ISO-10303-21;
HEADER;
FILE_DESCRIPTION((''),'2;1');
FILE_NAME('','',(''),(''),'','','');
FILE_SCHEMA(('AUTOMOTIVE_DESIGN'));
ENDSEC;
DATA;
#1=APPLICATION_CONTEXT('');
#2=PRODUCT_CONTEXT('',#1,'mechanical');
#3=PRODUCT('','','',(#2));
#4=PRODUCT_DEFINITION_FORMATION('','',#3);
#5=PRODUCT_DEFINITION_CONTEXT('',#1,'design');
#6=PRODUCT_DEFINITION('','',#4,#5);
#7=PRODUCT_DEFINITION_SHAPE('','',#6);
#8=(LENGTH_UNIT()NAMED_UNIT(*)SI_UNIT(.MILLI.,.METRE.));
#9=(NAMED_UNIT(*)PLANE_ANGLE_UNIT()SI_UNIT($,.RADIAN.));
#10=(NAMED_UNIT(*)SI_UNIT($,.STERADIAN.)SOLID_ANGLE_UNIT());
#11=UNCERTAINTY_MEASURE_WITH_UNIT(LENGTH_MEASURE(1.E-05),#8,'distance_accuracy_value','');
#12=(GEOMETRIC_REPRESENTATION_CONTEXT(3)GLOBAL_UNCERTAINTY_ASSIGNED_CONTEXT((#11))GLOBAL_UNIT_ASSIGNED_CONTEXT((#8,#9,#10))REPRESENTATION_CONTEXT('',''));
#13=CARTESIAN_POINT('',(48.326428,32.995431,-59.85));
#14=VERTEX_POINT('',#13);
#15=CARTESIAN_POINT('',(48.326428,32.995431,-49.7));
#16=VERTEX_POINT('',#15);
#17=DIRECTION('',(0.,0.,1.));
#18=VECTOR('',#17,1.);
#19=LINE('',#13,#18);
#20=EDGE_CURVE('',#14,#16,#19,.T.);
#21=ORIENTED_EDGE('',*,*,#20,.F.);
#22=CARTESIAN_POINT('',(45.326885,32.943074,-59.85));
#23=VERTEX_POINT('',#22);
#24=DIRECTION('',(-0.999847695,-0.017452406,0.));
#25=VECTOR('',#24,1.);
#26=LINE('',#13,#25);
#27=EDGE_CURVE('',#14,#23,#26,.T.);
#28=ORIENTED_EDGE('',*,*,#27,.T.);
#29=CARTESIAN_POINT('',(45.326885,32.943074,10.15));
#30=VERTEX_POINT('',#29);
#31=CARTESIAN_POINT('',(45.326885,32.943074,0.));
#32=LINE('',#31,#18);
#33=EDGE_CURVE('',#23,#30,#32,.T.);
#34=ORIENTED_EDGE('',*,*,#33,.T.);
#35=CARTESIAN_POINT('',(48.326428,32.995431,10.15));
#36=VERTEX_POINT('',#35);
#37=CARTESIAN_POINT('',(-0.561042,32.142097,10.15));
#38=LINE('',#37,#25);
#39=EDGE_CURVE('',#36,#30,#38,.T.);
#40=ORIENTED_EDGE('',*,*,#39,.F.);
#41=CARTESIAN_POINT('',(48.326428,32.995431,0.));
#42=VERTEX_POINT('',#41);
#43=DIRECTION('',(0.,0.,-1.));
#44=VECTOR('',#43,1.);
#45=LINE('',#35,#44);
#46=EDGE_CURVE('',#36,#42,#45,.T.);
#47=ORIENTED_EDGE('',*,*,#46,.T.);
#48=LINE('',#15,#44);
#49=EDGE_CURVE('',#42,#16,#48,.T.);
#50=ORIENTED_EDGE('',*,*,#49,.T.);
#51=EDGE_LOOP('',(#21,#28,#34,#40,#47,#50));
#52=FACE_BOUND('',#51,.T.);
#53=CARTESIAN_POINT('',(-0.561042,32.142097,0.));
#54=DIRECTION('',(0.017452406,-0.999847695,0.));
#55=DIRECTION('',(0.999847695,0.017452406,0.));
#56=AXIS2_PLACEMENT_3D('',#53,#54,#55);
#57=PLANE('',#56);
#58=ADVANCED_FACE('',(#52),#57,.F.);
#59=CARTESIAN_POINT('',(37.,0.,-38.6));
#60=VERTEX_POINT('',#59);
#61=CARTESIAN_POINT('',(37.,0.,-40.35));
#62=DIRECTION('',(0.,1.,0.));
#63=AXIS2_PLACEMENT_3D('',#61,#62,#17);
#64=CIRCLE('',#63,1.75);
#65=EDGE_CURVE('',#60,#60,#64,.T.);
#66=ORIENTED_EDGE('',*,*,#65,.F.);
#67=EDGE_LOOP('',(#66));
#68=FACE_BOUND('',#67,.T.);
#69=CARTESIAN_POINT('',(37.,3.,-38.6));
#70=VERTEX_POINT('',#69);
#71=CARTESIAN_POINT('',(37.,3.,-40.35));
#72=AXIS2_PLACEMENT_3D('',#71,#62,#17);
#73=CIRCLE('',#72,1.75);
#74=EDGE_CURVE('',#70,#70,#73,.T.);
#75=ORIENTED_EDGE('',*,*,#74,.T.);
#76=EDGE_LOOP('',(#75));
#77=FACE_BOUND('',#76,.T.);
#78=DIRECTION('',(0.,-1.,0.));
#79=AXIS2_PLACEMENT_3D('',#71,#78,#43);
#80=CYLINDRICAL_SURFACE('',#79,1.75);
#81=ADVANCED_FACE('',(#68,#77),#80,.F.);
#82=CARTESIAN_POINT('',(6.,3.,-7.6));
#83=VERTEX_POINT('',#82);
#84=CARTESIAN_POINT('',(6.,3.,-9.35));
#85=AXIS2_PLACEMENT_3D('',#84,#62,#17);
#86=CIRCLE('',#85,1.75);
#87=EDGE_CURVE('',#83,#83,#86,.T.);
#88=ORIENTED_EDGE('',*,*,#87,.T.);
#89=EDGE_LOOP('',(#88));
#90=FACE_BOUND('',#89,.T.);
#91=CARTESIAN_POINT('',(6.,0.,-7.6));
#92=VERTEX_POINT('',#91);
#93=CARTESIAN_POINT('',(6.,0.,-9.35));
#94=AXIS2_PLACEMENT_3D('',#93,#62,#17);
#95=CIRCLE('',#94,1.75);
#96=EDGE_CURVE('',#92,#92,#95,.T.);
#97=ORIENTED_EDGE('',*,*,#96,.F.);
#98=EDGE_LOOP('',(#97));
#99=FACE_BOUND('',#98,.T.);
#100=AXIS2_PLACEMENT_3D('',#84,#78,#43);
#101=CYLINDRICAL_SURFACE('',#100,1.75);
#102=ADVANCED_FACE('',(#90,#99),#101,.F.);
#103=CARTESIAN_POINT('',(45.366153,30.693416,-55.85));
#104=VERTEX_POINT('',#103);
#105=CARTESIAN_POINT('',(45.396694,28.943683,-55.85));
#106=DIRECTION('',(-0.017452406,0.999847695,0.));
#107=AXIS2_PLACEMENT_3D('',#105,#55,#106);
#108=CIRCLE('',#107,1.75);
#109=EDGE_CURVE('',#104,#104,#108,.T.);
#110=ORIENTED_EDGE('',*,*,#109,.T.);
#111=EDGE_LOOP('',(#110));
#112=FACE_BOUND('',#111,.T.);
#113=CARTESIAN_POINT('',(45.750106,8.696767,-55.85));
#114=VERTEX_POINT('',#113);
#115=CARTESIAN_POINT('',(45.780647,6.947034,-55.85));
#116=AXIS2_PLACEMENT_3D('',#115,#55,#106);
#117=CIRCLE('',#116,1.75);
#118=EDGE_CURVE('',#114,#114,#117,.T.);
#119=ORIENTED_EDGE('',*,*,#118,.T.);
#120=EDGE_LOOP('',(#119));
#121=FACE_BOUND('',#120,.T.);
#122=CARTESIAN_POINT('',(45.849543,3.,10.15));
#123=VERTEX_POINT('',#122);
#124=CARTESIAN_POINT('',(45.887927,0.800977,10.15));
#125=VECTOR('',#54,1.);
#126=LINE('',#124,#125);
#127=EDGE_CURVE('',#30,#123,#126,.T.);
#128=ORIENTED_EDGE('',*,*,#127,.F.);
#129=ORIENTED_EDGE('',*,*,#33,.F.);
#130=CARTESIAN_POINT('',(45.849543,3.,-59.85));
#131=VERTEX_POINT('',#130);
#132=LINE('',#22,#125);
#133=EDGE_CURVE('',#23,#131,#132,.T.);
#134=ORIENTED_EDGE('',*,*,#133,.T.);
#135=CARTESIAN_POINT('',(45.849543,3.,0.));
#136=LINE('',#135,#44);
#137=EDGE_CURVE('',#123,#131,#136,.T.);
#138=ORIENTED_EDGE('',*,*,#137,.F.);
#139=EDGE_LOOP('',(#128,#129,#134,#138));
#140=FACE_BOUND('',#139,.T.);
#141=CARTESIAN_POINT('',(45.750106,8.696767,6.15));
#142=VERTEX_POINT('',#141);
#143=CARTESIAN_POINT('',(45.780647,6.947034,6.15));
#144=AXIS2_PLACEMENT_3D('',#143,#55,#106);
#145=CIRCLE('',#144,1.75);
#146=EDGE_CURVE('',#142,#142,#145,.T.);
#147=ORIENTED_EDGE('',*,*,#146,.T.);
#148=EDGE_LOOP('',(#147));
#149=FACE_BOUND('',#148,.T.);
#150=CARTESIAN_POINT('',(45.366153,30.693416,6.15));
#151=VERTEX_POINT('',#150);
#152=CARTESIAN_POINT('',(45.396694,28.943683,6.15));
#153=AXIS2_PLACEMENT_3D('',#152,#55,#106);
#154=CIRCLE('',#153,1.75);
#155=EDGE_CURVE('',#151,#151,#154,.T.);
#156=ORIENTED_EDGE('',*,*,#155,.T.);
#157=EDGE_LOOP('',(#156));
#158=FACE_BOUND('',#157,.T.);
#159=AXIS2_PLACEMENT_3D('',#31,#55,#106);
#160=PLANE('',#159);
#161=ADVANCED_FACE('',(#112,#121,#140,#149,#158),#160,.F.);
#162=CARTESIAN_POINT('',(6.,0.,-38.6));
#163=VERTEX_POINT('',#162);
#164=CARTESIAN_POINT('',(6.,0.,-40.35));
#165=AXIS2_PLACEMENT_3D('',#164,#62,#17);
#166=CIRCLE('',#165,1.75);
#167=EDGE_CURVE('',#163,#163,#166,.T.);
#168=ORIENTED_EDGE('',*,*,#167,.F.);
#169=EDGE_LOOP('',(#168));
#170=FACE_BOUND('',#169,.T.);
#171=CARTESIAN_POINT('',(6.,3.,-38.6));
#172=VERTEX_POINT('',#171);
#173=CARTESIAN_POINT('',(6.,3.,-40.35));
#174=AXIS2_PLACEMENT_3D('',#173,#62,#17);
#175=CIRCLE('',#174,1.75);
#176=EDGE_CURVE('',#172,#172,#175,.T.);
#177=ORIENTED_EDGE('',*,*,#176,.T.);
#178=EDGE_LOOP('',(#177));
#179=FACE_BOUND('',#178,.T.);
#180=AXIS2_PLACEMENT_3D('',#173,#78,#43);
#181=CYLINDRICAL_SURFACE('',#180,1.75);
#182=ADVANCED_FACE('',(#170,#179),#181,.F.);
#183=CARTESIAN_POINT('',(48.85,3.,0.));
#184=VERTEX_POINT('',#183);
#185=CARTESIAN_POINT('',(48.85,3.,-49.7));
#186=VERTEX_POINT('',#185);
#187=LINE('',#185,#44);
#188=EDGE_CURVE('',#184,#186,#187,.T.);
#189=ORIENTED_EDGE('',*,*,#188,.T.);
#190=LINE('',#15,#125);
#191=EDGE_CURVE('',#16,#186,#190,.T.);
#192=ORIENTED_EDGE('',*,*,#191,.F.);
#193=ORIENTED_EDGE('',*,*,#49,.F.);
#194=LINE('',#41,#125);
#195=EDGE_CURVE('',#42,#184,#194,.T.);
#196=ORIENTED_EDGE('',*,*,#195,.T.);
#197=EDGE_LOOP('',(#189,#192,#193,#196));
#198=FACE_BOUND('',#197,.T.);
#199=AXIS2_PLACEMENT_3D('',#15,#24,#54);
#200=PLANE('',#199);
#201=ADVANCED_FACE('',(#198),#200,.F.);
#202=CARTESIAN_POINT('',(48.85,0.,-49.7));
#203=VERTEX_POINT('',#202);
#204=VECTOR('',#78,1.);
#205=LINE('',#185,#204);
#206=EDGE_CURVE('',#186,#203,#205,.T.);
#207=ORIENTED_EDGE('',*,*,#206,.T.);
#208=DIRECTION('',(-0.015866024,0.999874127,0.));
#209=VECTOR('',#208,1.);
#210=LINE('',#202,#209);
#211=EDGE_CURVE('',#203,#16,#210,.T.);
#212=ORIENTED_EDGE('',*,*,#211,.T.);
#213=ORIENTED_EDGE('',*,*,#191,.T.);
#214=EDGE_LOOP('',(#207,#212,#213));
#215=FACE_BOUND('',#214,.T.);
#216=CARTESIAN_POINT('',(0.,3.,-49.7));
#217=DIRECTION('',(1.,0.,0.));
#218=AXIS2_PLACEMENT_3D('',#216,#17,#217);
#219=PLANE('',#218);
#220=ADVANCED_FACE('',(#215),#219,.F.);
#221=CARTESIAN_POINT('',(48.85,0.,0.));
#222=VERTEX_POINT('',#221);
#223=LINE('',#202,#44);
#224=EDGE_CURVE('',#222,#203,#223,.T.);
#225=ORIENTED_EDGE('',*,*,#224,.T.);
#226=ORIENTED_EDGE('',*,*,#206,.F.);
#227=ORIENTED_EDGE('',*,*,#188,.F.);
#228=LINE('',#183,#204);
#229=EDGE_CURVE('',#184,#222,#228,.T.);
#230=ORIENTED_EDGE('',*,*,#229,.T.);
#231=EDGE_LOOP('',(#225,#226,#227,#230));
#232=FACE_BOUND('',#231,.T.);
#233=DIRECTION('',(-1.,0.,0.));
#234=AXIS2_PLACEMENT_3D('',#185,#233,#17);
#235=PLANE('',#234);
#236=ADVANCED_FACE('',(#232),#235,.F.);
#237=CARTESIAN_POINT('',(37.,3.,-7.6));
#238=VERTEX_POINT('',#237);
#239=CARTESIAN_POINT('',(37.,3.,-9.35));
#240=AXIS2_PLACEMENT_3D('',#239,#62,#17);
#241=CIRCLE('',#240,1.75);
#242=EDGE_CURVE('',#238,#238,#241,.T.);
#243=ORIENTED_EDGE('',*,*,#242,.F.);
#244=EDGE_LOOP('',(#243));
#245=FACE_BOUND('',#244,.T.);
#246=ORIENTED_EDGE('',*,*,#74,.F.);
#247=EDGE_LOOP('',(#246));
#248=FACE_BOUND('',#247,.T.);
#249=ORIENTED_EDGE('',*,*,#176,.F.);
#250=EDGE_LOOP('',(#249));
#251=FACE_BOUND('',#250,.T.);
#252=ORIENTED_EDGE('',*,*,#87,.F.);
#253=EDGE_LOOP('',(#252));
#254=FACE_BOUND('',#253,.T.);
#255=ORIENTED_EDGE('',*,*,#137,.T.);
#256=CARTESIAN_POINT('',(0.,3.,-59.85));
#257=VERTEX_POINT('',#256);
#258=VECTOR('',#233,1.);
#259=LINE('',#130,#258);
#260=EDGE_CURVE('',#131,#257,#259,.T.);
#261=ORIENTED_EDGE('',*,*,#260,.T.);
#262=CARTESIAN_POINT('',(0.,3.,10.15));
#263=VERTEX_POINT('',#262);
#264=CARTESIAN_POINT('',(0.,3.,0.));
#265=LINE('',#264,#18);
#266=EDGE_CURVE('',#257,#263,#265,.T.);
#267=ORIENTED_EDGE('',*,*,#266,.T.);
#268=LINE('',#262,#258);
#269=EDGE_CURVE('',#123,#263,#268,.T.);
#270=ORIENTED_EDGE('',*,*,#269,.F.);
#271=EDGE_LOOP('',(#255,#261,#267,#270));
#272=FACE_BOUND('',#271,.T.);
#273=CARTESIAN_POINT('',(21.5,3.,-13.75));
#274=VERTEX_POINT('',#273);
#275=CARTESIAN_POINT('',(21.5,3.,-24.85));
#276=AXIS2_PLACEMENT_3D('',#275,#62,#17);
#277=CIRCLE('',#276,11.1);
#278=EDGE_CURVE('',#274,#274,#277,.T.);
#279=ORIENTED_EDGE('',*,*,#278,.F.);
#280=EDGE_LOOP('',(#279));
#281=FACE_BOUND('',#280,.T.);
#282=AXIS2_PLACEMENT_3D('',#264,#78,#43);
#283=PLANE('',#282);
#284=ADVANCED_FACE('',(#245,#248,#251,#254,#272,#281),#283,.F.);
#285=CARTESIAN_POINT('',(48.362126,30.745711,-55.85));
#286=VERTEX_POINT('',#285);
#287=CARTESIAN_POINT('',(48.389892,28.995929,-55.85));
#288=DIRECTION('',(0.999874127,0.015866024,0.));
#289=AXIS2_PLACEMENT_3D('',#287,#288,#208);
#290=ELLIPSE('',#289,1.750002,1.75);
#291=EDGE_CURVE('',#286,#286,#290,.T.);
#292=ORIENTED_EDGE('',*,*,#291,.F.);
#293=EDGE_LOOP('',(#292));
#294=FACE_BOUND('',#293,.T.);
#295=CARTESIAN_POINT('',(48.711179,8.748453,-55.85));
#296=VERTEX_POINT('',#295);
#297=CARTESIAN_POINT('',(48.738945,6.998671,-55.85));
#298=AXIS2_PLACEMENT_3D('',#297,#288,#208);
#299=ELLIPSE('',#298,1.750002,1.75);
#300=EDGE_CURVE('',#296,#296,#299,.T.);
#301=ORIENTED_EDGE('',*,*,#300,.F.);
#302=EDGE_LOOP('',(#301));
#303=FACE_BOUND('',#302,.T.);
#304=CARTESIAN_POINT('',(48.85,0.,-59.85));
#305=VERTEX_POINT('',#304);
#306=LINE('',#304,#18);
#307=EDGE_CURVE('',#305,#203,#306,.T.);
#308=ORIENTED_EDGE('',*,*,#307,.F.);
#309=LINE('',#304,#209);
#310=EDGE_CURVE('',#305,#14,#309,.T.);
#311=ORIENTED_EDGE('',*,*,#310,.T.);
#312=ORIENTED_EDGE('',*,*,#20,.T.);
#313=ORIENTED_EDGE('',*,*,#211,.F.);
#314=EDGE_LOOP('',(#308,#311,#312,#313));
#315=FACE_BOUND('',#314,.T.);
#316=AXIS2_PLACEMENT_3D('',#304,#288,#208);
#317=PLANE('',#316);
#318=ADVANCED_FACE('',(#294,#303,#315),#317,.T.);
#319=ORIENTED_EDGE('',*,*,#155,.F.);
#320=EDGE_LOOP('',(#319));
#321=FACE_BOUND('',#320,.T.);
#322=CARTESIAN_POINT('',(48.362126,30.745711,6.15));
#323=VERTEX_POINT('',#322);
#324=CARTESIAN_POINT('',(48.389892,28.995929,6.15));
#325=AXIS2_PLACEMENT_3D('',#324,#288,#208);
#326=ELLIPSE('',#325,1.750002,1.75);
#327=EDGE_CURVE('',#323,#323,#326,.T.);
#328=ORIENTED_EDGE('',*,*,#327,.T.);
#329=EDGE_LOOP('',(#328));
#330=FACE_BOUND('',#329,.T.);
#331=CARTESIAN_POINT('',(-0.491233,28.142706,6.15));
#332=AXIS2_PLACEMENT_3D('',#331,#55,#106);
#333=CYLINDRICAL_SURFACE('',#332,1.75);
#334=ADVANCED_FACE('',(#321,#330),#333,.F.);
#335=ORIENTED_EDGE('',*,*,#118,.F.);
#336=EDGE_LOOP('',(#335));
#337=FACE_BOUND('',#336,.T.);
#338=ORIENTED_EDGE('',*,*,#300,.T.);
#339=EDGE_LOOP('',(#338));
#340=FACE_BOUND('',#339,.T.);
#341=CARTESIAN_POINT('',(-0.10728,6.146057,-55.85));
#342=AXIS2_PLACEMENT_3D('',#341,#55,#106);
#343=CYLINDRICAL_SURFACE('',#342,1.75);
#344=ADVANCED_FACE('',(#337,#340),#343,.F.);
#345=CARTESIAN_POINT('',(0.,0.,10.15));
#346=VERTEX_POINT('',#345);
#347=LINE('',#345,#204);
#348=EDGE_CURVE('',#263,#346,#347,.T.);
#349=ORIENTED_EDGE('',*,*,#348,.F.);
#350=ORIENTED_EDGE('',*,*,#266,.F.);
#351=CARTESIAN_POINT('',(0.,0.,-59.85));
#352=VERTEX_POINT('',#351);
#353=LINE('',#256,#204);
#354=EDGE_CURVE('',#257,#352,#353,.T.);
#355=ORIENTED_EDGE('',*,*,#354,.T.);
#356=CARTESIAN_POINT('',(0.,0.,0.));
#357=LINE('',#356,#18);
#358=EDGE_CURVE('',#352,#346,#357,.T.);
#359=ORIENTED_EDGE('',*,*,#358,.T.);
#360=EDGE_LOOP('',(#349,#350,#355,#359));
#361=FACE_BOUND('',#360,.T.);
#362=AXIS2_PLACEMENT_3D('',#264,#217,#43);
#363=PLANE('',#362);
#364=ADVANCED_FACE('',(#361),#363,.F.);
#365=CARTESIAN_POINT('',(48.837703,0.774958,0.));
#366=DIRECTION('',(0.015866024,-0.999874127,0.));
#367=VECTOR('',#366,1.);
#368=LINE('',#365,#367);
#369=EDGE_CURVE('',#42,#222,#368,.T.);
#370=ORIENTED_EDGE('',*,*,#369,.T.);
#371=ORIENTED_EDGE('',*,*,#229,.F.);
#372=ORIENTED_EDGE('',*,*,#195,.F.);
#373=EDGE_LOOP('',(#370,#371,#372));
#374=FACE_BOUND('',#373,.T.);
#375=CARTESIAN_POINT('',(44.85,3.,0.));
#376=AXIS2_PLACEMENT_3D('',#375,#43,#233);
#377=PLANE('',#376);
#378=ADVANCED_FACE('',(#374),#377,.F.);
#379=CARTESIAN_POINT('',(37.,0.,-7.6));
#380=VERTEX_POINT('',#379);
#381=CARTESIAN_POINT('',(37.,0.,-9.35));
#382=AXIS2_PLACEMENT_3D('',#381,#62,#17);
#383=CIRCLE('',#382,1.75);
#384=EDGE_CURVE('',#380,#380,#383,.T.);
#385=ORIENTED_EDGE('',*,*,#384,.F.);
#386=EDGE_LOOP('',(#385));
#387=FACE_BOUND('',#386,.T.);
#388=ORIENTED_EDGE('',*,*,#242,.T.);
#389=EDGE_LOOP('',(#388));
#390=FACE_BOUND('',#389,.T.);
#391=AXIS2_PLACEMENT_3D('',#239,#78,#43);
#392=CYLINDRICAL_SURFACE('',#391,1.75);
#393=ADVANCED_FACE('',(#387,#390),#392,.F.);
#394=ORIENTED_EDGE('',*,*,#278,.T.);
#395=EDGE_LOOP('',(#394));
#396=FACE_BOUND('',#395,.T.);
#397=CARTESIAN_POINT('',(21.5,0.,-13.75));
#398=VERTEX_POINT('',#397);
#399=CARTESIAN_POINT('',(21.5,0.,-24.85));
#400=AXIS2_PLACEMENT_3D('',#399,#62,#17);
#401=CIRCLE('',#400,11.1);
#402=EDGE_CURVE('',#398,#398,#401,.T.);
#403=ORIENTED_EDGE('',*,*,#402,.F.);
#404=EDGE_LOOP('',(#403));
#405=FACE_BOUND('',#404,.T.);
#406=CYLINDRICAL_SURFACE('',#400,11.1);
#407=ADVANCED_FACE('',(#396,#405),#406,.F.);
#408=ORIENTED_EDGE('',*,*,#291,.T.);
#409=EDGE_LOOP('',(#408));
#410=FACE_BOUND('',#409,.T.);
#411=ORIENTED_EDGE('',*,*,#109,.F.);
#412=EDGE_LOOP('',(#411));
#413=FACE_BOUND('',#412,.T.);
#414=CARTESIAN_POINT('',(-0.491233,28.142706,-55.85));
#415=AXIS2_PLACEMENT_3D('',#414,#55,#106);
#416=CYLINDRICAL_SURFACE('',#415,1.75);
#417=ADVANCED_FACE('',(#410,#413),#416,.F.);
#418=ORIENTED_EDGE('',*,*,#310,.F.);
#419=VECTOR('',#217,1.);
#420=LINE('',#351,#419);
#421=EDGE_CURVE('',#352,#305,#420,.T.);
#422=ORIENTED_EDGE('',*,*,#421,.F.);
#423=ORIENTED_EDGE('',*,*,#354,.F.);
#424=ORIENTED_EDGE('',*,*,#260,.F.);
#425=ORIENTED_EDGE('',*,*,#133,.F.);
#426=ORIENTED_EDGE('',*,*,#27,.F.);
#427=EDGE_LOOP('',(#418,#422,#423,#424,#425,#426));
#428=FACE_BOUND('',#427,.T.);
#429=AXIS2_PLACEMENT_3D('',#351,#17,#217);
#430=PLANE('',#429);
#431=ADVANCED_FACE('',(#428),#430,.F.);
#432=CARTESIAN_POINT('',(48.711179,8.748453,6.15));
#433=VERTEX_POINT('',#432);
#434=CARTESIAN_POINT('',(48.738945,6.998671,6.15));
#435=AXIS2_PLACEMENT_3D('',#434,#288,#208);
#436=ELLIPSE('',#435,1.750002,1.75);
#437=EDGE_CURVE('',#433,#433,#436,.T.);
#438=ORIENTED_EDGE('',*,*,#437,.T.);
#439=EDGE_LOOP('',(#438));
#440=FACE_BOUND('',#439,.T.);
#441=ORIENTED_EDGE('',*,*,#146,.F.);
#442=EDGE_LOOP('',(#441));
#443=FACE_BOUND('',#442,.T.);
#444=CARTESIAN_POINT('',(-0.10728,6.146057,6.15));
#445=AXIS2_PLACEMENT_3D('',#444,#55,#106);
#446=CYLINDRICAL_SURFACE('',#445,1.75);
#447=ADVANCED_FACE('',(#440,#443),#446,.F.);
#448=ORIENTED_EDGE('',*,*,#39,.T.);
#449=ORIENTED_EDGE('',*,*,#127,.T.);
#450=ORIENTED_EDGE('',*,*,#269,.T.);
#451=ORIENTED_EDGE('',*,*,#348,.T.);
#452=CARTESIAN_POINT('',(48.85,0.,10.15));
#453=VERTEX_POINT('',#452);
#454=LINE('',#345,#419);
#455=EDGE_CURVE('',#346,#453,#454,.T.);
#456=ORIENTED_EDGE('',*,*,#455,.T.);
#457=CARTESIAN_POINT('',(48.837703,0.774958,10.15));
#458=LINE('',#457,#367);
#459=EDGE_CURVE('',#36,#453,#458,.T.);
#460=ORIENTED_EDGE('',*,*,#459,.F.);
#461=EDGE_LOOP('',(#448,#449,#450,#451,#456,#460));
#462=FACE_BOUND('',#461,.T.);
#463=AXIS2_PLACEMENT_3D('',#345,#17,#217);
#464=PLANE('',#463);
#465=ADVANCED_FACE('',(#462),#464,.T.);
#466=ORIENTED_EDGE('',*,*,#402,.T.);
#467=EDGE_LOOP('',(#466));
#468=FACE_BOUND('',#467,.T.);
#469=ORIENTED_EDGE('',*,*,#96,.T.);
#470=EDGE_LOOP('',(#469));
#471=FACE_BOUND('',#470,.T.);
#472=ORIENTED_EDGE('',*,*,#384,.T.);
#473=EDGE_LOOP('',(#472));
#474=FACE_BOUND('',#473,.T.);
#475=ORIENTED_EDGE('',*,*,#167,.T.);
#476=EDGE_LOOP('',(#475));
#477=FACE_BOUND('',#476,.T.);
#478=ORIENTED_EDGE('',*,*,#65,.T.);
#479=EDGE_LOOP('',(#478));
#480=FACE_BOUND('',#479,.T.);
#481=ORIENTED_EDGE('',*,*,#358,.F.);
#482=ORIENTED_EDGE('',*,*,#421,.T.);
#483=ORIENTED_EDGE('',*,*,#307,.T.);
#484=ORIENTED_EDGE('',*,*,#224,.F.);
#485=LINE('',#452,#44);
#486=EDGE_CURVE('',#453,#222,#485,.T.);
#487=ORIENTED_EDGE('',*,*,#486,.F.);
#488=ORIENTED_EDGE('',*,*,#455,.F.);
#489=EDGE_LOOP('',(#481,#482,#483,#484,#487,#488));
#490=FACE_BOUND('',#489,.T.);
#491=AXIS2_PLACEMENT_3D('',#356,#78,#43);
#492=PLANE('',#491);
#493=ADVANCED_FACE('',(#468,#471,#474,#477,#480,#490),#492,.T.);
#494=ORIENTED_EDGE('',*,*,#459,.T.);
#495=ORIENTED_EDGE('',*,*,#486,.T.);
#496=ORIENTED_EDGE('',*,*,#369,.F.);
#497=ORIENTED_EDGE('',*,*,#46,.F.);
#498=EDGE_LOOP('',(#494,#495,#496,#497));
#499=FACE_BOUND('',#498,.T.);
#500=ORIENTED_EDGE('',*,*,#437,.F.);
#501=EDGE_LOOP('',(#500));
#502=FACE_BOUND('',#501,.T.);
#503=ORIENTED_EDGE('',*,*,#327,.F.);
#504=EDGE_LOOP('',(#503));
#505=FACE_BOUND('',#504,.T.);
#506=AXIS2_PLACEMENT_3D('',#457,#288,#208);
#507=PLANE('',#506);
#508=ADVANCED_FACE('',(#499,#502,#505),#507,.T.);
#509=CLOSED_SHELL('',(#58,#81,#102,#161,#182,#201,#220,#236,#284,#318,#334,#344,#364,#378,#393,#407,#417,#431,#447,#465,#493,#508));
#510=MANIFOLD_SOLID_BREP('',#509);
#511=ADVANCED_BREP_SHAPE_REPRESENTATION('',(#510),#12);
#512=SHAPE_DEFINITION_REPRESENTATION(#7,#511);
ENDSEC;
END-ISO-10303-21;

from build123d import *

# Parameters (mm, degrees)
ESBO_O1_R                = 1.75
RESSALTO_EXTRUS_O1_DEPTH = 3
CORTE_EXTRUS_O1_DEPTH    = 70.752508915
ESBO_O6_W                = 3
ESBO_O6_H                = 49.7
RESSALTO_EXTRUS_O2_DEPTH = 30
RESSALTO_EXTRUS_O5_DEPTH = 10.15
RESSALTO_EXTRUS_O6_DEPTH = 10.15
ESBO_O13_R               = 1.75
CORTE_EXTRUS_O2_DEPTH    = 84.696604677
ESBO_O14_R               = 11.1
CORTE_EXTRUS_O3_DEPTH    = 83.873825012


with BuildPart() as part:
    # Esboço1 → Ressalto-extrusão1 (new body)
    with BuildSketch(Plane(origin=(0, 0, 0), x_dir=(1, 0, 0), z_dir=(0, 1, 0))):
        Polygon((0, 0), (0, 49.7), (42, 49.7), (44.85, 49.7), (45.85, 49.7), (48.85, 49.7), (48.85, 0), (44.85, 0), (42, 0), align=None)
        with Locations(Location((6, 9.35, 0), (0, 0, 270))):
            Circle(ESBO_O1_R, mode=Mode.SUBTRACT)
        with Locations(Location((37, 40.35, 0), (0, 0, 270))):
            Circle(ESBO_O1_R, mode=Mode.SUBTRACT)
        with Locations(Location((37, 9.35, 0), (0, 0, 270))):
            Circle(ESBO_O1_R, mode=Mode.SUBTRACT)
        with Locations(Location((6, 40.35, 0), (0, 0, 270))):
            Circle(ESBO_O1_R, mode=Mode.SUBTRACT)
    extrude(amount=RESSALTO_EXTRUS_O1_DEPTH)

    # Esboço4 → Corte-extrusão1 (cut, through all)
    with BuildSketch(Plane.XY):
        Polygon((48.85, 3), (45.850456915, 2.947642781), (45.824605163, 4.428688653), (48.712091154, 4.253252959), (49.11238384, 3.101191082), align=None)
    extrude(amount=-CORTE_EXTRUS_O1_DEPTH, mode=Mode.SUBTRACT)

    # Esboço6 → Ressalto-extrusão2 (add)
    with BuildSketch(Plane(origin=(-0.037470195, 2.146666034, 0), x_dir=(0.9998476951563913, 0.01745240643728361, 0), z_dir=(-0.01745240643728361, 0.9998476951563913, 0))):
        with Locations((47.394917128, 24.85)):
            Rectangle(ESBO_O6_W, ESBO_O6_H)
    extrude(amount=RESSALTO_EXTRUS_O2_DEPTH)

    # Esboço9 → Ressalto-extrusão5 (add)
    with BuildSketch(Plane.XY):
        Polygon((48.326427807, 32.995430855), (48.85, 0), (0, 0), (0, 3), (45.849543016, 3), (45.326884721, 32.943073635), align=None)
    extrude(amount=RESSALTO_EXTRUS_O5_DEPTH)

    # Esboço12 → Ressalto-extrusão6 (add)
    with BuildSketch(Plane(origin=(0, 0, -49.7), x_dir=(-1, 0, 0), z_dir=(0, 0, -1))):
        Polygon((0, 0), (-48.85, 0), (-48.326427807, 32.995430855), (-45.326884721, 32.943073635), (-45.849543016, 3), (0, 3), align=None)
    extrude(amount=RESSALTO_EXTRUS_O6_DEPTH)

    # Esboço13 → Corte-extrusão2 (cut, through all)
    with BuildSketch(Plane(origin=(48.887470195, 0.853333966, 0), x_dir=(0, 0, -1), z_dir=(0.9998476951563913, 0.01745240643728361, 0))):
        with Locations(Location((-6.15, 28.146993031, 0), (0, 0, 90))):
            Circle(ESBO_O13_R)
        with Locations(Location((-6.15, 6.146993031, 0), (0, 0, 90))):
            Circle(ESBO_O13_R)
        with Locations(Location((55.85, 28.146993031, 0), (0, 0, 90))):
            Circle(ESBO_O13_R)
        with Locations(Location((55.85, 6.146993031, 0), (0, 0, 90))):
            Circle(ESBO_O13_R)
    extrude(amount=-CORTE_EXTRUS_O2_DEPTH, mode=Mode.SUBTRACT)

    # Esboço14 → Corte-extrusão3 (cut, through all)
    with BuildSketch(Plane(origin=(0, 3, 0), x_dir=(1, 0, 0), z_dir=(0, 1, 0))):
        with Locations(Location((21.5, 24.85, 0), (0, 0, 270))):
            Circle(ESBO_O14_R)
    extrude(amount=-CORTE_EXTRUS_O3_DEPTH, mode=Mode.SUBTRACT)


solid = part.part
